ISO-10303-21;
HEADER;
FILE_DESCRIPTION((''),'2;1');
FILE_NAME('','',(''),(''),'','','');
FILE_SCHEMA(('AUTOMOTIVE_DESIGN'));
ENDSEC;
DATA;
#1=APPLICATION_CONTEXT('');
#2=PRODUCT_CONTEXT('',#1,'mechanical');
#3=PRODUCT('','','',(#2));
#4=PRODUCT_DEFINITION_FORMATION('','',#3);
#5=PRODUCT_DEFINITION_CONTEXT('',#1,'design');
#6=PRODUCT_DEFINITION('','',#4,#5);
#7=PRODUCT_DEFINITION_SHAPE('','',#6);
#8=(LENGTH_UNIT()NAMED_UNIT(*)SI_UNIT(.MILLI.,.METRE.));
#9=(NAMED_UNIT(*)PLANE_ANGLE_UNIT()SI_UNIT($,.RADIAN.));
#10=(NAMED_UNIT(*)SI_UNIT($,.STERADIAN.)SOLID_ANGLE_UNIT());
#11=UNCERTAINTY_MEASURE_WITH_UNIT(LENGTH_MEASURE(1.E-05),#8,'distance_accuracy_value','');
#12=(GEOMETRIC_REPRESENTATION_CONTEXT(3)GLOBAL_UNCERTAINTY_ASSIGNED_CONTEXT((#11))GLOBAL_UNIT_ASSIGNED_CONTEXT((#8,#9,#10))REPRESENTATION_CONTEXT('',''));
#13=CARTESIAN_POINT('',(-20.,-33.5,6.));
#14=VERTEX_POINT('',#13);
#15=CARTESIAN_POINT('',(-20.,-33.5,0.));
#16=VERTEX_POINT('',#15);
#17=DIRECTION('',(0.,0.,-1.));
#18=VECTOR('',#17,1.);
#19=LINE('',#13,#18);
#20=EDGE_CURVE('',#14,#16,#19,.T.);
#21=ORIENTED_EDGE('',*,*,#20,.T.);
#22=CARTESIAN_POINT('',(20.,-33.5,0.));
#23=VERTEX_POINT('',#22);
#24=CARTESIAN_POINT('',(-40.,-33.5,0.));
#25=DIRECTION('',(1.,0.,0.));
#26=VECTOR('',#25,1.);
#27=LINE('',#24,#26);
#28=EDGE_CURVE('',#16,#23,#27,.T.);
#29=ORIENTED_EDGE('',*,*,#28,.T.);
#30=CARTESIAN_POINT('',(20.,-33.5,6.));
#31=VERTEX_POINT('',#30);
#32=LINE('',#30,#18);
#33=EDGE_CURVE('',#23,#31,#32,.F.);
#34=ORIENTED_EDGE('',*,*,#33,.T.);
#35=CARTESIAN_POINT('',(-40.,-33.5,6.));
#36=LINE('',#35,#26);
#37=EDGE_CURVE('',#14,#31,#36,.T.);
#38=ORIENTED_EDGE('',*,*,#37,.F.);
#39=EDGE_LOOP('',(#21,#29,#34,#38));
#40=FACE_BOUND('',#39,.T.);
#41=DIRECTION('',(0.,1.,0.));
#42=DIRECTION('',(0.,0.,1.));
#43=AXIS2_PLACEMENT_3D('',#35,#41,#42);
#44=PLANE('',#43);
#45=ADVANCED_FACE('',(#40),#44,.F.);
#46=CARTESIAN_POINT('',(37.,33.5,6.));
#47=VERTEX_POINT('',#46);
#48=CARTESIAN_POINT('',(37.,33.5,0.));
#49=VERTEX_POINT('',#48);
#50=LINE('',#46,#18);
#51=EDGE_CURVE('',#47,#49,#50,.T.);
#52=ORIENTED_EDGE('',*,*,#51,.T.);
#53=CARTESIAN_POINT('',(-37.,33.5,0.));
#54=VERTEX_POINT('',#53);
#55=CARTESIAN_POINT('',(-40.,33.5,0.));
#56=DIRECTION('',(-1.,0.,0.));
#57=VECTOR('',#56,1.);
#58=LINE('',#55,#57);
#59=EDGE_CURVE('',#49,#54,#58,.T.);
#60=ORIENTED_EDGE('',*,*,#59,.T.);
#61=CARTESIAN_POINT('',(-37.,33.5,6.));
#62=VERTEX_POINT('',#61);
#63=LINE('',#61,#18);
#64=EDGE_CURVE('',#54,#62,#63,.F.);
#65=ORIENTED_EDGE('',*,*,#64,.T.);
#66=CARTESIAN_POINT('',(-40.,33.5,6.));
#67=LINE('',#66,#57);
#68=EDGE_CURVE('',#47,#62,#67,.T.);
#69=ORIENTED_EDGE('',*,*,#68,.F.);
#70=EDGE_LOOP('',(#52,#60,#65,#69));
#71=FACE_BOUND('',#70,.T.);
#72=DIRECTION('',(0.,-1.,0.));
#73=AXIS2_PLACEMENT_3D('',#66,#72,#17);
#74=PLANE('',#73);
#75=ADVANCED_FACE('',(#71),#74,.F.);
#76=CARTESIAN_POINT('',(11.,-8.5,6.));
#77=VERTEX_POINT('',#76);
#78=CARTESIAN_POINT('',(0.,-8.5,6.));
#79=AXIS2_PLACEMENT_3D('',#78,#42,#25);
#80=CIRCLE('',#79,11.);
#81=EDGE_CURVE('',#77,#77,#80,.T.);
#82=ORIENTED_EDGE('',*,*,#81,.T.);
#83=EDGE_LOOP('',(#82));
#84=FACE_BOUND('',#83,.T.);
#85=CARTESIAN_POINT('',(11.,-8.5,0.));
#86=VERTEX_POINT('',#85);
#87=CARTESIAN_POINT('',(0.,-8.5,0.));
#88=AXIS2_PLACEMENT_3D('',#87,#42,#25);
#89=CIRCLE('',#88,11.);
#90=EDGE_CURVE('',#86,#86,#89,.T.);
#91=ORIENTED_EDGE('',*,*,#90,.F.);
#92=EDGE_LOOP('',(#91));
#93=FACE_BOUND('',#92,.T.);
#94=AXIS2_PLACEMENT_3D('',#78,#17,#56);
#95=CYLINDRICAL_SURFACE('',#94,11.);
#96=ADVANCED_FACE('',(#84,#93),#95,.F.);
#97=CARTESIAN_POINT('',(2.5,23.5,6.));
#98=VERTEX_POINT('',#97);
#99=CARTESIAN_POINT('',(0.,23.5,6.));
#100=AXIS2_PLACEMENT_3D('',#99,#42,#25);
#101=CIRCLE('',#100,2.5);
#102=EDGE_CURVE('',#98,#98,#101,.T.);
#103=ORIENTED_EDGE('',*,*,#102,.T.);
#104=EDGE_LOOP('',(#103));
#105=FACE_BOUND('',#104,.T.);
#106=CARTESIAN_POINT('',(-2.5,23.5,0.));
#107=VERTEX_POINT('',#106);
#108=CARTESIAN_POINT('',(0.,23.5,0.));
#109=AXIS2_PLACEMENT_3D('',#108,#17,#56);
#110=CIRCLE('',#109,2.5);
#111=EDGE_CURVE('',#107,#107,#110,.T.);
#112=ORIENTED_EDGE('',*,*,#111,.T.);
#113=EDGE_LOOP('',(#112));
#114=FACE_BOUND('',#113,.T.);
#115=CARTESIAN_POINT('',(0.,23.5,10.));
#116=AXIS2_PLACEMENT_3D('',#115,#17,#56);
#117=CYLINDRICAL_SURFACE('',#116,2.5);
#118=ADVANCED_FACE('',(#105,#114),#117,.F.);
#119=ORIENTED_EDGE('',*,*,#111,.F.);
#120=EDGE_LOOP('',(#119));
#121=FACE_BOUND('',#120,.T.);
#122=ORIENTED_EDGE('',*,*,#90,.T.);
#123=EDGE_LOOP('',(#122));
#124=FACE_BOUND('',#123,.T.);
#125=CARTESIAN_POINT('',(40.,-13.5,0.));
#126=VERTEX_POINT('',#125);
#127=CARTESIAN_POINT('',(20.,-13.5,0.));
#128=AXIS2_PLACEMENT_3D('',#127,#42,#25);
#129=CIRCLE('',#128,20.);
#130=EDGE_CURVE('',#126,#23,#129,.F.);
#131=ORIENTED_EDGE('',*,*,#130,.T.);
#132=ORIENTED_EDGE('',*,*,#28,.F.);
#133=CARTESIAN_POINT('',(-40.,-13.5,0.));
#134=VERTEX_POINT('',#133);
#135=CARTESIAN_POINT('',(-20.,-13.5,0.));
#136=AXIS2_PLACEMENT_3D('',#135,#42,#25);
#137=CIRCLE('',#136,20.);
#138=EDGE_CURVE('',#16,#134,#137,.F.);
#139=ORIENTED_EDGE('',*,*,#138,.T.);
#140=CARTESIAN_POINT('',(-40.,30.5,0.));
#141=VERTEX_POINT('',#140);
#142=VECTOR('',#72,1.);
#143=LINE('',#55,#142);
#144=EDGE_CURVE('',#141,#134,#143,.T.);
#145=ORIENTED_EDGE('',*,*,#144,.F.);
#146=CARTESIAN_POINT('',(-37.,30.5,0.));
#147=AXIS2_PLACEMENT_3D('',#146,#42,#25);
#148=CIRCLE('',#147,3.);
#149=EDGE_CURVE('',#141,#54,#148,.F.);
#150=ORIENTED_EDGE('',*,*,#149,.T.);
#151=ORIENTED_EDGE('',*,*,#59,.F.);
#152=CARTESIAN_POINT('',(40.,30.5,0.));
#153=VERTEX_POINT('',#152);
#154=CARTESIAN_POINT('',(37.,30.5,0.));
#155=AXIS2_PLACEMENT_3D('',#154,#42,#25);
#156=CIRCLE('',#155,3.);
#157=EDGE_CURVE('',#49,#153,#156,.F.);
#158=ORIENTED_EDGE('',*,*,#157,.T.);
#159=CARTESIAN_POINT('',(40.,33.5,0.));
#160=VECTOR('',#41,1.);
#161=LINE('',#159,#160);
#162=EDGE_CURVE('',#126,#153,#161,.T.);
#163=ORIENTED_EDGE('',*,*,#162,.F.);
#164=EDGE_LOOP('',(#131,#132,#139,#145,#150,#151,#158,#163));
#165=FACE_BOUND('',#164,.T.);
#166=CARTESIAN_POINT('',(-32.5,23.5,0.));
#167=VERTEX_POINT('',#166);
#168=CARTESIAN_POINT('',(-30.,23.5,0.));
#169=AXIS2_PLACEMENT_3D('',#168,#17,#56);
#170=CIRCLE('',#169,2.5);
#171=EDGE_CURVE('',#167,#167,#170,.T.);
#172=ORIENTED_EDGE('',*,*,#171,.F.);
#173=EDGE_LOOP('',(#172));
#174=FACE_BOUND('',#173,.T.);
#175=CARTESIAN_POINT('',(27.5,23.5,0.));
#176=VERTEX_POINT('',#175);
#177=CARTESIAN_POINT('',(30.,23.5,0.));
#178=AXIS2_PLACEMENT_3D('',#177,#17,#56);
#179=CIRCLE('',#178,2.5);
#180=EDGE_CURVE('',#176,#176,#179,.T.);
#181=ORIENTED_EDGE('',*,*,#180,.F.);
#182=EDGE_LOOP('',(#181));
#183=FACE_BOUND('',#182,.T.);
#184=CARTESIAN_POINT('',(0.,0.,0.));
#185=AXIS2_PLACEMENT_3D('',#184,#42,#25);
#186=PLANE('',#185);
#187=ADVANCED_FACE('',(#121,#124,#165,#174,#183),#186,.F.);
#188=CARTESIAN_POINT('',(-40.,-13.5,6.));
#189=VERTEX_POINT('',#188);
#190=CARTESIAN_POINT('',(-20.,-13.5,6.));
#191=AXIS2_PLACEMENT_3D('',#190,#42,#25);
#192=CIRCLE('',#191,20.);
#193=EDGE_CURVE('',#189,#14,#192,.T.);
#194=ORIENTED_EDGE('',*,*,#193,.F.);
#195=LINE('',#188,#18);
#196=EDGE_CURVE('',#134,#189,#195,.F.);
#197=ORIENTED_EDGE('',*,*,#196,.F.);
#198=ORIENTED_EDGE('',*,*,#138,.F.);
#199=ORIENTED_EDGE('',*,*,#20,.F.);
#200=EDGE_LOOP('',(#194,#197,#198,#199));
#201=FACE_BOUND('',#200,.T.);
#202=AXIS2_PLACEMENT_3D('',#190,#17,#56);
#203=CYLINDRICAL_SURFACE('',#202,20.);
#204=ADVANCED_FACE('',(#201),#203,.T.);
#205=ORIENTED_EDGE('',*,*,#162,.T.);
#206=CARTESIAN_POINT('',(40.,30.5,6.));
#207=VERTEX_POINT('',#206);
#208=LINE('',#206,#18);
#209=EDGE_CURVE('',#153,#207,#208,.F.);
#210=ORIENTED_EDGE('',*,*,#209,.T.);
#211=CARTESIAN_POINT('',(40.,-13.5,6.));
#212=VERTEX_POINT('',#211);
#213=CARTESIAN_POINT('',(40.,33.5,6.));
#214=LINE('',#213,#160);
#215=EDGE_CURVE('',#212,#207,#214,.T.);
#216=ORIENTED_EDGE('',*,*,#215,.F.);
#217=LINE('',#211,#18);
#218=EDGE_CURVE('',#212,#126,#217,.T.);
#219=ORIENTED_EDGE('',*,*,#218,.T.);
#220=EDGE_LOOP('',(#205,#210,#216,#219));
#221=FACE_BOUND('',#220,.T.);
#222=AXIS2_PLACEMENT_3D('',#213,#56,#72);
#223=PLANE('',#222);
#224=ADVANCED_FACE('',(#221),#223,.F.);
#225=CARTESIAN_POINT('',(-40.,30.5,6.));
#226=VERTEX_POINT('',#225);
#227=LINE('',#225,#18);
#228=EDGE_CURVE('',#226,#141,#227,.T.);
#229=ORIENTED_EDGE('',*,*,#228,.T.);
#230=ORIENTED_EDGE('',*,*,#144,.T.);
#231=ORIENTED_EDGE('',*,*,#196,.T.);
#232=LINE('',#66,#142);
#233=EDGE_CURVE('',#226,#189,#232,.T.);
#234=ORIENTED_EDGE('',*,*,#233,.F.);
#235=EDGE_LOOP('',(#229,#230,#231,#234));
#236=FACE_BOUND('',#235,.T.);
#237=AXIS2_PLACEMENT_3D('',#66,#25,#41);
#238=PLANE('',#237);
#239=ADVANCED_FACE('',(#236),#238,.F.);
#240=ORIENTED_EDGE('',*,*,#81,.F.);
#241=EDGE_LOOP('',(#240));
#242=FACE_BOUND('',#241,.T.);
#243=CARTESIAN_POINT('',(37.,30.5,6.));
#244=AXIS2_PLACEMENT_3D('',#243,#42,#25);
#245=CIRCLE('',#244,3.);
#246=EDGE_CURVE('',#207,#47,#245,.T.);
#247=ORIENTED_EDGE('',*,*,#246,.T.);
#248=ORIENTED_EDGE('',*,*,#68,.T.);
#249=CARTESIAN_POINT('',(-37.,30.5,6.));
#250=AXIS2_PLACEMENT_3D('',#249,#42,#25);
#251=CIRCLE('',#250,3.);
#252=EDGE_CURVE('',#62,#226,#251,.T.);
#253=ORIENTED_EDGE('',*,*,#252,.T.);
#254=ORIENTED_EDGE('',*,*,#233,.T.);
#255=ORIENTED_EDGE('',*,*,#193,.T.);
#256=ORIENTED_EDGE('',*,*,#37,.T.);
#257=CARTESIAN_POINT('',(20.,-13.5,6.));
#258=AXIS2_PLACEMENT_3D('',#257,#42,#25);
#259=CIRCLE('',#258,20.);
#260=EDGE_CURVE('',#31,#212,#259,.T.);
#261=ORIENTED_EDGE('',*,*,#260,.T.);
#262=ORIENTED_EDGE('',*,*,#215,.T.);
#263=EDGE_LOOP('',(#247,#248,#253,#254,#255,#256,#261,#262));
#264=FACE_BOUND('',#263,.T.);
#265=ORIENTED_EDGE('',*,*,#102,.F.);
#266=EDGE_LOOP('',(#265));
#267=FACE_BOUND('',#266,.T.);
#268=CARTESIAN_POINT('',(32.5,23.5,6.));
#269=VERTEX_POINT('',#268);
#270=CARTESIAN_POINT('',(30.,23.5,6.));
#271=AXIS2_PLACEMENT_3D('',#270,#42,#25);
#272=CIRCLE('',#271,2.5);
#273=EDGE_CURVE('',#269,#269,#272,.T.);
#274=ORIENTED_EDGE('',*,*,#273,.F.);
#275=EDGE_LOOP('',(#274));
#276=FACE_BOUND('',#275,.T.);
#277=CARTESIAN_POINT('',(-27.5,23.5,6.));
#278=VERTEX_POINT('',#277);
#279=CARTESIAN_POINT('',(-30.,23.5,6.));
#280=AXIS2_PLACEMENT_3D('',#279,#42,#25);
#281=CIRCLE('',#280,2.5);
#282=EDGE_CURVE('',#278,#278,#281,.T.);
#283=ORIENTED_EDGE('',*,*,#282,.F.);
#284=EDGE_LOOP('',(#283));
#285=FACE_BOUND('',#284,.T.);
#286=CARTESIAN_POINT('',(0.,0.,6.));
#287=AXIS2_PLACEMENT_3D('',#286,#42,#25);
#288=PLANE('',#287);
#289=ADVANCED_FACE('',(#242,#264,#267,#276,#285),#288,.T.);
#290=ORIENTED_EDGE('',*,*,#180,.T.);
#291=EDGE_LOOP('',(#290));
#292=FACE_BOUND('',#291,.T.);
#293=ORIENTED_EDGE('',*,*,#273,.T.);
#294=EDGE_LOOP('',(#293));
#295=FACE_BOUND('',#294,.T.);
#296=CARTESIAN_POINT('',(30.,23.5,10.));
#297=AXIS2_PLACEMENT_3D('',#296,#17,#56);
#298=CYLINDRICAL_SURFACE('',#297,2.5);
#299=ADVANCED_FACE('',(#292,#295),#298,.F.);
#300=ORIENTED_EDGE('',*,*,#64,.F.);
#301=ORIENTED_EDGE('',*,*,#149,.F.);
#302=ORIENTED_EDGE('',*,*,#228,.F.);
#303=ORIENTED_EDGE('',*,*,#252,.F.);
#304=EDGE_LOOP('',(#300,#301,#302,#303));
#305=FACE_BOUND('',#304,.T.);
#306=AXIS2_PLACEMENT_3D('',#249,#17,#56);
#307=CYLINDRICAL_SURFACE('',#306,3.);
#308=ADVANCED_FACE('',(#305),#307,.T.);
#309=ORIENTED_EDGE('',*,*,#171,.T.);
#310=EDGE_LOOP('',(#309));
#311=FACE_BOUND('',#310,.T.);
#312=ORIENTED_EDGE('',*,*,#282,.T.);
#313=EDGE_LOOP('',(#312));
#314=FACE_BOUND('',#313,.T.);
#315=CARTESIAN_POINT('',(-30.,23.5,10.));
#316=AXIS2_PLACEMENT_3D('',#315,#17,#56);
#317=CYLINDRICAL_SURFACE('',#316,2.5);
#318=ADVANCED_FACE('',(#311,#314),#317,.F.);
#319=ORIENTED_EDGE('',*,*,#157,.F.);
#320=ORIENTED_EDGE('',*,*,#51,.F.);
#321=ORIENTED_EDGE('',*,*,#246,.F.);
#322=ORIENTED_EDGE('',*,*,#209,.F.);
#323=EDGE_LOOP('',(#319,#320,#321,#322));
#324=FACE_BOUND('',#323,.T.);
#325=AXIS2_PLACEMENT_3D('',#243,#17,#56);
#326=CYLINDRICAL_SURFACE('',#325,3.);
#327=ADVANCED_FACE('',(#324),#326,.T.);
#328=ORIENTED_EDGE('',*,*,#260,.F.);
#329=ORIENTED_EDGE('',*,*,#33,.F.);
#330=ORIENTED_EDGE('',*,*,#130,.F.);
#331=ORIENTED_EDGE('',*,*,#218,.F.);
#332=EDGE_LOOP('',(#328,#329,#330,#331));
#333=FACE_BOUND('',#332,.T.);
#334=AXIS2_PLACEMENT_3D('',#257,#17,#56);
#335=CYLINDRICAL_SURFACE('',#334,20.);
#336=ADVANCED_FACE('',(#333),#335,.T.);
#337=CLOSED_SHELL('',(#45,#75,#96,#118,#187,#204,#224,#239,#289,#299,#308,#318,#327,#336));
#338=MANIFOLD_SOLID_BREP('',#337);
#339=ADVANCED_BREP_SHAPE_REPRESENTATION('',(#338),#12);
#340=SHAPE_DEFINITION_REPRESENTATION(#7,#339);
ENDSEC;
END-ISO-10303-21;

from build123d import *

# Parameters (mm, degrees)
SKETCH_1_W          = 80
SKETCH_1_H          = 67
SKETCH_1_R          = 11
EXTRUDE_1_DEPTH     = 6
SKETCH_2_R          = 2.5
CUT_EXTRUDE_1_DEPTH = 10
FILLET_1_R          = 20
FILLET_2_R          = 3


with BuildPart() as part:
    # 草图1 → 凸台-拉伸1 (new body)
    with BuildSketch(Plane.XY):
        Rectangle(SKETCH_1_W, SKETCH_1_H)
        with Locations((0, -8.5)):
            Circle(SKETCH_1_R, mode=Mode.SUBTRACT)
    extrude(amount=EXTRUDE_1_DEPTH)

    # 草图2 → 切除-拉伸1 (cut)
    with BuildSketch(Plane(origin=(0, 0, 0), x_dir=(-1, 0, 0), z_dir=(0, 0, -1))):
        with Locations((-30, 23.5)):
            Circle(SKETCH_2_R)
        with Locations((30, 23.5)):
            Circle(SKETCH_2_R)
        with Locations((0, 23.5)):
            Circle(SKETCH_2_R)
    extrude(amount=-CUT_EXTRUDE_1_DEPTH, mode=Mode.SUBTRACT)

    # 圆角1
    fillet_1_edges = [part.edges().sort_by_distance(p)[0] for p in [
        (40, -33.5, 3),
        (-40, -33.5, 3),
    ]]
    fillet(fillet_1_edges, radius=FILLET_1_R)

    # 圆角2
    fillet_2_edges = [part.edges().sort_by_distance(p)[0] for p in [
        (-40, 33.5, 3),
        (40, 33.5, 3),
    ]]
    fillet(fillet_2_edges, radius=FILLET_2_R)


solid = part.part
